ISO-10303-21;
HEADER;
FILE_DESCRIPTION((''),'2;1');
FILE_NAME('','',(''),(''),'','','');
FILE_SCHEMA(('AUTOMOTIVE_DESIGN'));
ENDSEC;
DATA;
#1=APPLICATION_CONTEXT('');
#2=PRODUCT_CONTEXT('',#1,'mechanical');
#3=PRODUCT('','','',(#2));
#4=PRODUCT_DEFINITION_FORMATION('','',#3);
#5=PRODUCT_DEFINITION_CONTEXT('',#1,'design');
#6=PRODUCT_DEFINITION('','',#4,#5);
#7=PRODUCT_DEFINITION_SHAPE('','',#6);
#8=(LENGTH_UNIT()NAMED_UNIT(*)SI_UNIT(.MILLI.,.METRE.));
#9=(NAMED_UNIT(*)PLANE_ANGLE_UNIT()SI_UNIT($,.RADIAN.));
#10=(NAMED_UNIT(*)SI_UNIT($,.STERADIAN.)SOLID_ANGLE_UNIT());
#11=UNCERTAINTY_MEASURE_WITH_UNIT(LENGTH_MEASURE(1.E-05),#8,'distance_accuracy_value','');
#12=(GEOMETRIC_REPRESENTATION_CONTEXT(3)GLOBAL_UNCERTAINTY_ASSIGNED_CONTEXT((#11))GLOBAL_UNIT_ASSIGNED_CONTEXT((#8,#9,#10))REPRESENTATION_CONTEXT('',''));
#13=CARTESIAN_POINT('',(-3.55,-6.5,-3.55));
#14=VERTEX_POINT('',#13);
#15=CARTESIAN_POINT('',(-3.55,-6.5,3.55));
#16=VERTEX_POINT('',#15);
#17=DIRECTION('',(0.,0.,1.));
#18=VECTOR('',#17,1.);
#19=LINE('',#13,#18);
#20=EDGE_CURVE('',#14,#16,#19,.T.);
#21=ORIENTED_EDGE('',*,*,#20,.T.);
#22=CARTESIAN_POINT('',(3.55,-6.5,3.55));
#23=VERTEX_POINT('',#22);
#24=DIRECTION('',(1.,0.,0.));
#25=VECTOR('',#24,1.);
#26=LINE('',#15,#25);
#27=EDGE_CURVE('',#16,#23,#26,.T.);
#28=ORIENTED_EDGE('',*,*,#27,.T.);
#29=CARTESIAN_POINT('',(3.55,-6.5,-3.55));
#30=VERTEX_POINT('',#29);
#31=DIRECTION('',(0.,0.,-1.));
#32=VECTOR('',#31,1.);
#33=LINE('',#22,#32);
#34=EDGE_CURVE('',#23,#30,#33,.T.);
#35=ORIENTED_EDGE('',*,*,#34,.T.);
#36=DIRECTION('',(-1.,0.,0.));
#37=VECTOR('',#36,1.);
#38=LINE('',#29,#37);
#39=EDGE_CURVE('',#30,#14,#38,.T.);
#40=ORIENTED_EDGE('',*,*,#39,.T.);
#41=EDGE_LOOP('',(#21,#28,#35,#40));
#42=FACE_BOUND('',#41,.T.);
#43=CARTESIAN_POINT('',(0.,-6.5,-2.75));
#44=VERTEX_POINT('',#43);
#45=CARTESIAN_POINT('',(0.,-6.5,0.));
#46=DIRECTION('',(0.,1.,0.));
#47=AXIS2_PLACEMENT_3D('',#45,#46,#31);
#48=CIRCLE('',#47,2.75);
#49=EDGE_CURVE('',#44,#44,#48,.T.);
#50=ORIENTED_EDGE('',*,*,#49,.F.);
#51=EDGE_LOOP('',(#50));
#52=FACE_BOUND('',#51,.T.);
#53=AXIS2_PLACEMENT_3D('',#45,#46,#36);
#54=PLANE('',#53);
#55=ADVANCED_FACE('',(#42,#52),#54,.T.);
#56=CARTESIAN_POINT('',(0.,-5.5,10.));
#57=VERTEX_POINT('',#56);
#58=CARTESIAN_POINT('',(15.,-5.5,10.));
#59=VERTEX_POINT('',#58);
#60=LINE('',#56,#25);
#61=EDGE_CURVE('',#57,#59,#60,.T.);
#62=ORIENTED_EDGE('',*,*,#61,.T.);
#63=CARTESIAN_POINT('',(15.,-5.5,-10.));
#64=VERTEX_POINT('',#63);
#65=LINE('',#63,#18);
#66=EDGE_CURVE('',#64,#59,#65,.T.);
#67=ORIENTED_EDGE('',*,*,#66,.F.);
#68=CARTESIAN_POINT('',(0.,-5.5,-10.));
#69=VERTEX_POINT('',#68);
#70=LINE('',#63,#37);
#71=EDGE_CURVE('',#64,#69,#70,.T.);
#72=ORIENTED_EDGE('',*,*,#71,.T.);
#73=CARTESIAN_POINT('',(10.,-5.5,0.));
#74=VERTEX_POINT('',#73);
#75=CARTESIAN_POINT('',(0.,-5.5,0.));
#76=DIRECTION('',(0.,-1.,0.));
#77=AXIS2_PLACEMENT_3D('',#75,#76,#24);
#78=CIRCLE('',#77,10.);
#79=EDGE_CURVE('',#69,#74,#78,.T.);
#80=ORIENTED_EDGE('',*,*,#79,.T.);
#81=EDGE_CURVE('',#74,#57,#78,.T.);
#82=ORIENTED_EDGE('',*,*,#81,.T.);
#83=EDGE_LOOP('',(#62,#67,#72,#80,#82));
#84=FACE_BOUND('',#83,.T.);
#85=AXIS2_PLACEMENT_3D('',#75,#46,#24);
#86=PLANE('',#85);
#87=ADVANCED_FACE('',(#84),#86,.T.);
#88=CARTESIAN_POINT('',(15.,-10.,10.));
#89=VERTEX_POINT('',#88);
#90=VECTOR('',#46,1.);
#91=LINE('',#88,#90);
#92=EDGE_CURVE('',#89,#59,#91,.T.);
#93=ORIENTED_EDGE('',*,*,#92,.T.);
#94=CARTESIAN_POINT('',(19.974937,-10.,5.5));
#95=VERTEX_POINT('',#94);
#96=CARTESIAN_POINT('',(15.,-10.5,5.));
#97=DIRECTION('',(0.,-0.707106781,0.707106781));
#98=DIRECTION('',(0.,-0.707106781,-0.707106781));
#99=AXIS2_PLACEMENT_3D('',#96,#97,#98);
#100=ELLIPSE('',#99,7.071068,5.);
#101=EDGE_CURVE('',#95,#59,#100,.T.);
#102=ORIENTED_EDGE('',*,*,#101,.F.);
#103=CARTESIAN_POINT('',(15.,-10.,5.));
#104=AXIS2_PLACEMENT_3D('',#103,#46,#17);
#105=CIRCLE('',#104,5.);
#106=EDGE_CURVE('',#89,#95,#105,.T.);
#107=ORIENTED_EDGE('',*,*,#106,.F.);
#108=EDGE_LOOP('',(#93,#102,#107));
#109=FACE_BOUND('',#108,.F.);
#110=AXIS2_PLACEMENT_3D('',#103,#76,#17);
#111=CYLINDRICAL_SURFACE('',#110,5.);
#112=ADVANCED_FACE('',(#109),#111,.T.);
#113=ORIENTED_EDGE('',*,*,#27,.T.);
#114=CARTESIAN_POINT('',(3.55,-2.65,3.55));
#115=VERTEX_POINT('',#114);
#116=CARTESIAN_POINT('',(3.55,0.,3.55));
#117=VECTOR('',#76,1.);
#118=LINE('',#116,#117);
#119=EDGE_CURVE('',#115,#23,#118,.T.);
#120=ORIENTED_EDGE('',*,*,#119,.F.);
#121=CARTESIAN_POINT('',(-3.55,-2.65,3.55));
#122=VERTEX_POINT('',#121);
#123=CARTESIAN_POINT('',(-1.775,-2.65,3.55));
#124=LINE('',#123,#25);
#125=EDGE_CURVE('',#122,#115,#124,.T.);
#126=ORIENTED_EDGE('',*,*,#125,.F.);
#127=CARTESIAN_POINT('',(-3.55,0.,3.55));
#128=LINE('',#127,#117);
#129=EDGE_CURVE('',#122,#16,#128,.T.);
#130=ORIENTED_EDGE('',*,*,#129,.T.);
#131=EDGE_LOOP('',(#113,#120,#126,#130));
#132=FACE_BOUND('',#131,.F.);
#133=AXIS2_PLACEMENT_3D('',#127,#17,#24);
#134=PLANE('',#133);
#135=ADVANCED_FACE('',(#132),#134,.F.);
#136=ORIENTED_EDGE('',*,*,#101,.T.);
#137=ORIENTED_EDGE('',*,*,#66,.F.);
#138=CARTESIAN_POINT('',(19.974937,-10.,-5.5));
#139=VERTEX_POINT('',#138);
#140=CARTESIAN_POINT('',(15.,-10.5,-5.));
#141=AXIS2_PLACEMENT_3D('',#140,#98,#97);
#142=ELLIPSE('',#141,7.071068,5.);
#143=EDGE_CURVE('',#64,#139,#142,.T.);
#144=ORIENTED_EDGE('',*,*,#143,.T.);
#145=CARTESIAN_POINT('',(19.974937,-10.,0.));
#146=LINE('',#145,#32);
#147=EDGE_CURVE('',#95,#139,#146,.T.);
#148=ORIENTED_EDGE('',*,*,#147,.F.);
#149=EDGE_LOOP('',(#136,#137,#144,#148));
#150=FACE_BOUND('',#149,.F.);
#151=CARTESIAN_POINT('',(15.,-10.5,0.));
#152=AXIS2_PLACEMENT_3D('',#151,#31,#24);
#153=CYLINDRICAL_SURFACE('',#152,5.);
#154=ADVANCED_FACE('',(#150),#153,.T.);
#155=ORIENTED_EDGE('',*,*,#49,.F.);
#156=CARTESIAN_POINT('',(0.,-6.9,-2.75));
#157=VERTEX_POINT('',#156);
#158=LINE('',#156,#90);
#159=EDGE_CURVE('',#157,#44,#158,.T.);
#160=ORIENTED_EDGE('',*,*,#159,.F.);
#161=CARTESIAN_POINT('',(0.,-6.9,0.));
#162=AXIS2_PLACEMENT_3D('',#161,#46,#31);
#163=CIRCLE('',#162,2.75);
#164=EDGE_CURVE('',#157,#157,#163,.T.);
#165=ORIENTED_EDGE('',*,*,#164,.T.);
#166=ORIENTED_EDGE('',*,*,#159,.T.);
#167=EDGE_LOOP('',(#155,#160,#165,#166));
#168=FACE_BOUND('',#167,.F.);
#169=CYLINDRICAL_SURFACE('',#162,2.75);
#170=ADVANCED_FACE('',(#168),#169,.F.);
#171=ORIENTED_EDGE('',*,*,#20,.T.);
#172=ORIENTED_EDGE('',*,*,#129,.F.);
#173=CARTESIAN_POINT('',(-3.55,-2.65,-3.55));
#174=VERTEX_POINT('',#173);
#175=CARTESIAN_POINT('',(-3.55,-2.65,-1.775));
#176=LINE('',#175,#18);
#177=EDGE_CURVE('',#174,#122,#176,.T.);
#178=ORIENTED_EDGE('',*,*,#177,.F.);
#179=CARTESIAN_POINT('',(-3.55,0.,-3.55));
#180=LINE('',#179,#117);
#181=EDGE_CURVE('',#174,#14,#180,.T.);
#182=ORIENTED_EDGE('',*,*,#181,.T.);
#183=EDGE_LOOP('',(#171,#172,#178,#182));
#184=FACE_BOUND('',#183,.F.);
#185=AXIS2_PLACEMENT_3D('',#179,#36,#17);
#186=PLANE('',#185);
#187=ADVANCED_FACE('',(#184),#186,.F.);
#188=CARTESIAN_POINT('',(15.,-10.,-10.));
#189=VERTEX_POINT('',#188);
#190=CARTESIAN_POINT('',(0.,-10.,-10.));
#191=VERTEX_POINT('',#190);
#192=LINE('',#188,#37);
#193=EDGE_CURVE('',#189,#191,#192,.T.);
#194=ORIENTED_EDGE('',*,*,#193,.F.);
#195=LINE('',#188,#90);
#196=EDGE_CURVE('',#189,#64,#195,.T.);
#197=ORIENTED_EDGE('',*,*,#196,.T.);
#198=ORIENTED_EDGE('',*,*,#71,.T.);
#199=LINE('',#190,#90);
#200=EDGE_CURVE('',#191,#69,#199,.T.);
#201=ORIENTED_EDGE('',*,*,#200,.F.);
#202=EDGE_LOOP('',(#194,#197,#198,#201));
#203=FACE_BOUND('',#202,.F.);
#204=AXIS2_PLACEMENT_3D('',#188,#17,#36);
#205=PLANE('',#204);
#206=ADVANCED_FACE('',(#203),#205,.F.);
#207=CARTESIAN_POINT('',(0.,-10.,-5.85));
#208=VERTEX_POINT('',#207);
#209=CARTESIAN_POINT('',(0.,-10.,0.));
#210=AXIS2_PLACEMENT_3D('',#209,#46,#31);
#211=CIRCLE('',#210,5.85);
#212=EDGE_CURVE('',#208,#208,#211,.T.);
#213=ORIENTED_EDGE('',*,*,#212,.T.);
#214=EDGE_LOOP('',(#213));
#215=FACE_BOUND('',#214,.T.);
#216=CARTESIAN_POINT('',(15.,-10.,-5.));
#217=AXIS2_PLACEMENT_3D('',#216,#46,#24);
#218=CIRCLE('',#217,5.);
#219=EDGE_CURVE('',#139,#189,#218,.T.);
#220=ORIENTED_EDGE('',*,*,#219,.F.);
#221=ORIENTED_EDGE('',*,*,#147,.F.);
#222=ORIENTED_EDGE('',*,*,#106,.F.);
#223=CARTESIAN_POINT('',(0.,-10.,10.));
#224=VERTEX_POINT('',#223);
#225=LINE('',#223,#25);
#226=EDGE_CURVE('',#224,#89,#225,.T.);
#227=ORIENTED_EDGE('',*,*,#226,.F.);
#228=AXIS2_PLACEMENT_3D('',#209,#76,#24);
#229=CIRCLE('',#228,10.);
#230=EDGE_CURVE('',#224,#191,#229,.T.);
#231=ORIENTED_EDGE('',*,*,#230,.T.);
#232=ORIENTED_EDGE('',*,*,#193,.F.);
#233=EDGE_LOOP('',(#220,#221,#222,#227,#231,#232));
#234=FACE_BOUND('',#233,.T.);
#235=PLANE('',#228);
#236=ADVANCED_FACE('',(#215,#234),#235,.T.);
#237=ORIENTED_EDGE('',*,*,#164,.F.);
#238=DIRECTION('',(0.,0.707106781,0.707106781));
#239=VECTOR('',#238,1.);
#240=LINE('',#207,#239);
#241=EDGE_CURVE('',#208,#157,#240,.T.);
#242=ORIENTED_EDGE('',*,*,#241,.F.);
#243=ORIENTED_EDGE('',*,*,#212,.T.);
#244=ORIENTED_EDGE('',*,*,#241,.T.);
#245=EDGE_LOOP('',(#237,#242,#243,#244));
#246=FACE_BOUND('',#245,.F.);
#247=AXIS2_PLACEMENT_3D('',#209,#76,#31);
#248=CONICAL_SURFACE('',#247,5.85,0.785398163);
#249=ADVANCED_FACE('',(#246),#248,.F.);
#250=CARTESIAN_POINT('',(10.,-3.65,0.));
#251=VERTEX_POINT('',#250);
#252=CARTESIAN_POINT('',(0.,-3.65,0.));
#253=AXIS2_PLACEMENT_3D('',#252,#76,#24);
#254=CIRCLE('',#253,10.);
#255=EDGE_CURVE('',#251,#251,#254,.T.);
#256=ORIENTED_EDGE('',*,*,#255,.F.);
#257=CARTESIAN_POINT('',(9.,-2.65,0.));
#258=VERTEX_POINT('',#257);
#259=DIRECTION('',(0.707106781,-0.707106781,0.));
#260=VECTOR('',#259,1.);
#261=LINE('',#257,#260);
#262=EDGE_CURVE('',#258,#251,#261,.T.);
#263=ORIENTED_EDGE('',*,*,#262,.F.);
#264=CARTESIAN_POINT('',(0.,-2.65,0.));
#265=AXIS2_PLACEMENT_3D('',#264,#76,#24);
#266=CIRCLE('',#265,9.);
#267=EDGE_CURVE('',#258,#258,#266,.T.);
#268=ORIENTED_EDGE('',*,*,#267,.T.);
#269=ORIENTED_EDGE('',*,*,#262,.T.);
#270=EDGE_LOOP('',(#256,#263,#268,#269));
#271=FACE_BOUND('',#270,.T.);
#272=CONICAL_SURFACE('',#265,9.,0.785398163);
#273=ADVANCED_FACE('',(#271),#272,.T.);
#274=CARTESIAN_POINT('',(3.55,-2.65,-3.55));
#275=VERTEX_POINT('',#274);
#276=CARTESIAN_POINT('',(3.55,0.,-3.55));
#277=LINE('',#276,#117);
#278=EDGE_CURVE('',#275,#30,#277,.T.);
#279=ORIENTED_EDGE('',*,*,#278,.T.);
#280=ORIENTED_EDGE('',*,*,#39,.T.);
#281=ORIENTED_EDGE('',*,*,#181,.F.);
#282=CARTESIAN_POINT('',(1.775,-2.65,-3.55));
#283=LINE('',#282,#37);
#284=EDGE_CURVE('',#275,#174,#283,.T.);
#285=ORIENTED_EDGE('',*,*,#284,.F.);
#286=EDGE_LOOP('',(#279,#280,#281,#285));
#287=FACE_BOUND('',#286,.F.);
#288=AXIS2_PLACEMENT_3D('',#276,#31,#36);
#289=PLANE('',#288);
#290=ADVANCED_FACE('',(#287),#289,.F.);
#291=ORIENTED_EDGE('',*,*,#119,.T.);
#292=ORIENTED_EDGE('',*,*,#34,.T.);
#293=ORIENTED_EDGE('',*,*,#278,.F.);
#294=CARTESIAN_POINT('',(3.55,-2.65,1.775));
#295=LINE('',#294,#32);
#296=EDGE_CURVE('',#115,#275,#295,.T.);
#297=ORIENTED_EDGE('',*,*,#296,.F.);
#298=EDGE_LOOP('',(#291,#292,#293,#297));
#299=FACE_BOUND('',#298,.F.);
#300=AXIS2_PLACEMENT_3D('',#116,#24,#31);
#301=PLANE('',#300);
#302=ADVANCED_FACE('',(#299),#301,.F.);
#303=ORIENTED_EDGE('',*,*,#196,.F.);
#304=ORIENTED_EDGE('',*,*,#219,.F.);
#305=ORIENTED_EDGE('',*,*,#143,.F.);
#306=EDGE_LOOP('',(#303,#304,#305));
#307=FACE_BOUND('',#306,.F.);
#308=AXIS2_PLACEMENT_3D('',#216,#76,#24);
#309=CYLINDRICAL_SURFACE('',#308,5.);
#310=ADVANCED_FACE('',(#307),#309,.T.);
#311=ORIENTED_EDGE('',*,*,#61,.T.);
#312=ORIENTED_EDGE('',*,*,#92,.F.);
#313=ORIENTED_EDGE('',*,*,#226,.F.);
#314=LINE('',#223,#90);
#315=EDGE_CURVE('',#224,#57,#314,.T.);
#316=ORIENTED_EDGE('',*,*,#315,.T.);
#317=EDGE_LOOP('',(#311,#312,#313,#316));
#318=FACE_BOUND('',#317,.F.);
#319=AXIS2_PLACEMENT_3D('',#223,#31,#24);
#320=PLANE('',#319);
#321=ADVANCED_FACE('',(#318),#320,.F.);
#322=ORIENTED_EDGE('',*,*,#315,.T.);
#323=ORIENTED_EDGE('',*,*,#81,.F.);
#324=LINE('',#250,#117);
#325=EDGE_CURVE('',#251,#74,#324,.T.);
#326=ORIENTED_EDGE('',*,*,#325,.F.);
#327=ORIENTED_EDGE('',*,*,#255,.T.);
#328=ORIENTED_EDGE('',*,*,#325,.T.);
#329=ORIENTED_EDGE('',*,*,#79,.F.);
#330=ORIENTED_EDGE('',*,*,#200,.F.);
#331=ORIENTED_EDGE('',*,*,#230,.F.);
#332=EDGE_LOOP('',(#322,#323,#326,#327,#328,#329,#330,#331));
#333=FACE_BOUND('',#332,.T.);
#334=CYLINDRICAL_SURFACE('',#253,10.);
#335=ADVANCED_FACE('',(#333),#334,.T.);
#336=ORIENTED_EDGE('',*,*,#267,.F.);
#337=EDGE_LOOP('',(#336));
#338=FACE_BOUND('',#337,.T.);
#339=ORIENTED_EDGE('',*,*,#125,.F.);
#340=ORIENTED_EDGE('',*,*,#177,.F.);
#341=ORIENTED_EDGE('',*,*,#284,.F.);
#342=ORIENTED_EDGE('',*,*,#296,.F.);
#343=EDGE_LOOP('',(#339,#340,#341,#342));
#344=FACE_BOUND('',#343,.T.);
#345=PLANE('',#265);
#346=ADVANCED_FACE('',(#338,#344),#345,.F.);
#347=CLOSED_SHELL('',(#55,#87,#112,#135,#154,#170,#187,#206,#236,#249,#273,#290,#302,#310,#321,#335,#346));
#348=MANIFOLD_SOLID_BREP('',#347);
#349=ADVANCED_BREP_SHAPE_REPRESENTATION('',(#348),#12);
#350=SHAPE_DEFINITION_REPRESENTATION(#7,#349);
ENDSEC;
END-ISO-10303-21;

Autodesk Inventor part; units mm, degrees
sketch "Sketch_1" plane through (0, 0, 0) normal (0, 0, 1) x (1, 0, 0)
  line L0 (0, -10) -> (0, -2.65)
  line L1 (0, -2.65) -> (9, -2.65)
  line L2 (9, -2.65) -> (10, -3.65)
  line L3 (10, -3.65) -> (10, -10)
  line L4 (10, -10) -> (0, -10)
  line L5 (0, -10) -> (0, -2.65)
revolve "Revolution1" add sketch "Sketch_1" angle 360 about axis through (0, -10, 0) along (0, -1, 0)
sketch "Sketch_2" plane through (0, -10, 0) normal (0, 1, 0) x (1, 0, 0)
  line L0 (0, 10) -> (0, -10)
  line L1 (0, -10) -> (15, -10)
  arc A0 (15, -10) -> (20, -5) centre (15, -5) ccw
  line L2 (20, -5) -> (20, 5)
  arc A1 (20, 5) -> (15, 10) centre (15, 5) ccw
  line L3 (15, 10) -> (0, 10)
extrude "Extrusion1" add sketch "Sketch_2" along normal blind 4.5
sketch "Sketch3" plane through (0, -10, -10) normal (0, -1, 0) x (1, 0, 0)
  point P0 (0, 10)
hole "Hole1" at (0, -10, 0) direction (0, 1, 0) diameter 5.5 depth 3.5 countersink diameter 11.7 countersink angle 90
sketch "Sketch_9" plane through (0, 0, 0) normal (0, 1, 0) x (-1, 0, 0)
  line L0 (3.55, -3.55) -> (3.55, 3.55)
  line L1 (3.55, 3.55) -> (-3.55, 3.55)
  line L2 (-3.55, 3.55) -> (-3.55, -3.55)
  line L3 (-3.55, -3.55) -> (3.55, -3.55)
extrude "Extrusion2" cut sketch "Sketch_9" against normal blind 6.5
sketch "Sketch_3" plane through (0, 0, 0) normal (0, 0, 1) x (1, 0, 0)
  line L0 (15, -2) -> (15, -5.5)
  arc A0 (20, -10.5) -> (15, -5.5) centre (15, -10.5) ccw
  line L1 (20, -10.5) -> (25, -10.5)
  line L2 (25, -10.5) -> (25, -2)
  line L3 (25, -2) -> (15, -2)
extrude "Extrusion3" cut sketch "Sketch_3" along normal mid plane 20
ref_plane "bottom_to_ins_XY" through (0, 0, 0) normal (0, 1, 0) x (1, 0, 0)
ref_plane "bottom_to_ins_YZ" through (0, 0, 0) normal (1, 0, 0) x (0, 0, -1)
ref_plane "bottom_to_ins_ZX" through (0, 0, 0) normal (0, 0, -1) x (0, 1, 0)
properties part number "JBlock_plate"
